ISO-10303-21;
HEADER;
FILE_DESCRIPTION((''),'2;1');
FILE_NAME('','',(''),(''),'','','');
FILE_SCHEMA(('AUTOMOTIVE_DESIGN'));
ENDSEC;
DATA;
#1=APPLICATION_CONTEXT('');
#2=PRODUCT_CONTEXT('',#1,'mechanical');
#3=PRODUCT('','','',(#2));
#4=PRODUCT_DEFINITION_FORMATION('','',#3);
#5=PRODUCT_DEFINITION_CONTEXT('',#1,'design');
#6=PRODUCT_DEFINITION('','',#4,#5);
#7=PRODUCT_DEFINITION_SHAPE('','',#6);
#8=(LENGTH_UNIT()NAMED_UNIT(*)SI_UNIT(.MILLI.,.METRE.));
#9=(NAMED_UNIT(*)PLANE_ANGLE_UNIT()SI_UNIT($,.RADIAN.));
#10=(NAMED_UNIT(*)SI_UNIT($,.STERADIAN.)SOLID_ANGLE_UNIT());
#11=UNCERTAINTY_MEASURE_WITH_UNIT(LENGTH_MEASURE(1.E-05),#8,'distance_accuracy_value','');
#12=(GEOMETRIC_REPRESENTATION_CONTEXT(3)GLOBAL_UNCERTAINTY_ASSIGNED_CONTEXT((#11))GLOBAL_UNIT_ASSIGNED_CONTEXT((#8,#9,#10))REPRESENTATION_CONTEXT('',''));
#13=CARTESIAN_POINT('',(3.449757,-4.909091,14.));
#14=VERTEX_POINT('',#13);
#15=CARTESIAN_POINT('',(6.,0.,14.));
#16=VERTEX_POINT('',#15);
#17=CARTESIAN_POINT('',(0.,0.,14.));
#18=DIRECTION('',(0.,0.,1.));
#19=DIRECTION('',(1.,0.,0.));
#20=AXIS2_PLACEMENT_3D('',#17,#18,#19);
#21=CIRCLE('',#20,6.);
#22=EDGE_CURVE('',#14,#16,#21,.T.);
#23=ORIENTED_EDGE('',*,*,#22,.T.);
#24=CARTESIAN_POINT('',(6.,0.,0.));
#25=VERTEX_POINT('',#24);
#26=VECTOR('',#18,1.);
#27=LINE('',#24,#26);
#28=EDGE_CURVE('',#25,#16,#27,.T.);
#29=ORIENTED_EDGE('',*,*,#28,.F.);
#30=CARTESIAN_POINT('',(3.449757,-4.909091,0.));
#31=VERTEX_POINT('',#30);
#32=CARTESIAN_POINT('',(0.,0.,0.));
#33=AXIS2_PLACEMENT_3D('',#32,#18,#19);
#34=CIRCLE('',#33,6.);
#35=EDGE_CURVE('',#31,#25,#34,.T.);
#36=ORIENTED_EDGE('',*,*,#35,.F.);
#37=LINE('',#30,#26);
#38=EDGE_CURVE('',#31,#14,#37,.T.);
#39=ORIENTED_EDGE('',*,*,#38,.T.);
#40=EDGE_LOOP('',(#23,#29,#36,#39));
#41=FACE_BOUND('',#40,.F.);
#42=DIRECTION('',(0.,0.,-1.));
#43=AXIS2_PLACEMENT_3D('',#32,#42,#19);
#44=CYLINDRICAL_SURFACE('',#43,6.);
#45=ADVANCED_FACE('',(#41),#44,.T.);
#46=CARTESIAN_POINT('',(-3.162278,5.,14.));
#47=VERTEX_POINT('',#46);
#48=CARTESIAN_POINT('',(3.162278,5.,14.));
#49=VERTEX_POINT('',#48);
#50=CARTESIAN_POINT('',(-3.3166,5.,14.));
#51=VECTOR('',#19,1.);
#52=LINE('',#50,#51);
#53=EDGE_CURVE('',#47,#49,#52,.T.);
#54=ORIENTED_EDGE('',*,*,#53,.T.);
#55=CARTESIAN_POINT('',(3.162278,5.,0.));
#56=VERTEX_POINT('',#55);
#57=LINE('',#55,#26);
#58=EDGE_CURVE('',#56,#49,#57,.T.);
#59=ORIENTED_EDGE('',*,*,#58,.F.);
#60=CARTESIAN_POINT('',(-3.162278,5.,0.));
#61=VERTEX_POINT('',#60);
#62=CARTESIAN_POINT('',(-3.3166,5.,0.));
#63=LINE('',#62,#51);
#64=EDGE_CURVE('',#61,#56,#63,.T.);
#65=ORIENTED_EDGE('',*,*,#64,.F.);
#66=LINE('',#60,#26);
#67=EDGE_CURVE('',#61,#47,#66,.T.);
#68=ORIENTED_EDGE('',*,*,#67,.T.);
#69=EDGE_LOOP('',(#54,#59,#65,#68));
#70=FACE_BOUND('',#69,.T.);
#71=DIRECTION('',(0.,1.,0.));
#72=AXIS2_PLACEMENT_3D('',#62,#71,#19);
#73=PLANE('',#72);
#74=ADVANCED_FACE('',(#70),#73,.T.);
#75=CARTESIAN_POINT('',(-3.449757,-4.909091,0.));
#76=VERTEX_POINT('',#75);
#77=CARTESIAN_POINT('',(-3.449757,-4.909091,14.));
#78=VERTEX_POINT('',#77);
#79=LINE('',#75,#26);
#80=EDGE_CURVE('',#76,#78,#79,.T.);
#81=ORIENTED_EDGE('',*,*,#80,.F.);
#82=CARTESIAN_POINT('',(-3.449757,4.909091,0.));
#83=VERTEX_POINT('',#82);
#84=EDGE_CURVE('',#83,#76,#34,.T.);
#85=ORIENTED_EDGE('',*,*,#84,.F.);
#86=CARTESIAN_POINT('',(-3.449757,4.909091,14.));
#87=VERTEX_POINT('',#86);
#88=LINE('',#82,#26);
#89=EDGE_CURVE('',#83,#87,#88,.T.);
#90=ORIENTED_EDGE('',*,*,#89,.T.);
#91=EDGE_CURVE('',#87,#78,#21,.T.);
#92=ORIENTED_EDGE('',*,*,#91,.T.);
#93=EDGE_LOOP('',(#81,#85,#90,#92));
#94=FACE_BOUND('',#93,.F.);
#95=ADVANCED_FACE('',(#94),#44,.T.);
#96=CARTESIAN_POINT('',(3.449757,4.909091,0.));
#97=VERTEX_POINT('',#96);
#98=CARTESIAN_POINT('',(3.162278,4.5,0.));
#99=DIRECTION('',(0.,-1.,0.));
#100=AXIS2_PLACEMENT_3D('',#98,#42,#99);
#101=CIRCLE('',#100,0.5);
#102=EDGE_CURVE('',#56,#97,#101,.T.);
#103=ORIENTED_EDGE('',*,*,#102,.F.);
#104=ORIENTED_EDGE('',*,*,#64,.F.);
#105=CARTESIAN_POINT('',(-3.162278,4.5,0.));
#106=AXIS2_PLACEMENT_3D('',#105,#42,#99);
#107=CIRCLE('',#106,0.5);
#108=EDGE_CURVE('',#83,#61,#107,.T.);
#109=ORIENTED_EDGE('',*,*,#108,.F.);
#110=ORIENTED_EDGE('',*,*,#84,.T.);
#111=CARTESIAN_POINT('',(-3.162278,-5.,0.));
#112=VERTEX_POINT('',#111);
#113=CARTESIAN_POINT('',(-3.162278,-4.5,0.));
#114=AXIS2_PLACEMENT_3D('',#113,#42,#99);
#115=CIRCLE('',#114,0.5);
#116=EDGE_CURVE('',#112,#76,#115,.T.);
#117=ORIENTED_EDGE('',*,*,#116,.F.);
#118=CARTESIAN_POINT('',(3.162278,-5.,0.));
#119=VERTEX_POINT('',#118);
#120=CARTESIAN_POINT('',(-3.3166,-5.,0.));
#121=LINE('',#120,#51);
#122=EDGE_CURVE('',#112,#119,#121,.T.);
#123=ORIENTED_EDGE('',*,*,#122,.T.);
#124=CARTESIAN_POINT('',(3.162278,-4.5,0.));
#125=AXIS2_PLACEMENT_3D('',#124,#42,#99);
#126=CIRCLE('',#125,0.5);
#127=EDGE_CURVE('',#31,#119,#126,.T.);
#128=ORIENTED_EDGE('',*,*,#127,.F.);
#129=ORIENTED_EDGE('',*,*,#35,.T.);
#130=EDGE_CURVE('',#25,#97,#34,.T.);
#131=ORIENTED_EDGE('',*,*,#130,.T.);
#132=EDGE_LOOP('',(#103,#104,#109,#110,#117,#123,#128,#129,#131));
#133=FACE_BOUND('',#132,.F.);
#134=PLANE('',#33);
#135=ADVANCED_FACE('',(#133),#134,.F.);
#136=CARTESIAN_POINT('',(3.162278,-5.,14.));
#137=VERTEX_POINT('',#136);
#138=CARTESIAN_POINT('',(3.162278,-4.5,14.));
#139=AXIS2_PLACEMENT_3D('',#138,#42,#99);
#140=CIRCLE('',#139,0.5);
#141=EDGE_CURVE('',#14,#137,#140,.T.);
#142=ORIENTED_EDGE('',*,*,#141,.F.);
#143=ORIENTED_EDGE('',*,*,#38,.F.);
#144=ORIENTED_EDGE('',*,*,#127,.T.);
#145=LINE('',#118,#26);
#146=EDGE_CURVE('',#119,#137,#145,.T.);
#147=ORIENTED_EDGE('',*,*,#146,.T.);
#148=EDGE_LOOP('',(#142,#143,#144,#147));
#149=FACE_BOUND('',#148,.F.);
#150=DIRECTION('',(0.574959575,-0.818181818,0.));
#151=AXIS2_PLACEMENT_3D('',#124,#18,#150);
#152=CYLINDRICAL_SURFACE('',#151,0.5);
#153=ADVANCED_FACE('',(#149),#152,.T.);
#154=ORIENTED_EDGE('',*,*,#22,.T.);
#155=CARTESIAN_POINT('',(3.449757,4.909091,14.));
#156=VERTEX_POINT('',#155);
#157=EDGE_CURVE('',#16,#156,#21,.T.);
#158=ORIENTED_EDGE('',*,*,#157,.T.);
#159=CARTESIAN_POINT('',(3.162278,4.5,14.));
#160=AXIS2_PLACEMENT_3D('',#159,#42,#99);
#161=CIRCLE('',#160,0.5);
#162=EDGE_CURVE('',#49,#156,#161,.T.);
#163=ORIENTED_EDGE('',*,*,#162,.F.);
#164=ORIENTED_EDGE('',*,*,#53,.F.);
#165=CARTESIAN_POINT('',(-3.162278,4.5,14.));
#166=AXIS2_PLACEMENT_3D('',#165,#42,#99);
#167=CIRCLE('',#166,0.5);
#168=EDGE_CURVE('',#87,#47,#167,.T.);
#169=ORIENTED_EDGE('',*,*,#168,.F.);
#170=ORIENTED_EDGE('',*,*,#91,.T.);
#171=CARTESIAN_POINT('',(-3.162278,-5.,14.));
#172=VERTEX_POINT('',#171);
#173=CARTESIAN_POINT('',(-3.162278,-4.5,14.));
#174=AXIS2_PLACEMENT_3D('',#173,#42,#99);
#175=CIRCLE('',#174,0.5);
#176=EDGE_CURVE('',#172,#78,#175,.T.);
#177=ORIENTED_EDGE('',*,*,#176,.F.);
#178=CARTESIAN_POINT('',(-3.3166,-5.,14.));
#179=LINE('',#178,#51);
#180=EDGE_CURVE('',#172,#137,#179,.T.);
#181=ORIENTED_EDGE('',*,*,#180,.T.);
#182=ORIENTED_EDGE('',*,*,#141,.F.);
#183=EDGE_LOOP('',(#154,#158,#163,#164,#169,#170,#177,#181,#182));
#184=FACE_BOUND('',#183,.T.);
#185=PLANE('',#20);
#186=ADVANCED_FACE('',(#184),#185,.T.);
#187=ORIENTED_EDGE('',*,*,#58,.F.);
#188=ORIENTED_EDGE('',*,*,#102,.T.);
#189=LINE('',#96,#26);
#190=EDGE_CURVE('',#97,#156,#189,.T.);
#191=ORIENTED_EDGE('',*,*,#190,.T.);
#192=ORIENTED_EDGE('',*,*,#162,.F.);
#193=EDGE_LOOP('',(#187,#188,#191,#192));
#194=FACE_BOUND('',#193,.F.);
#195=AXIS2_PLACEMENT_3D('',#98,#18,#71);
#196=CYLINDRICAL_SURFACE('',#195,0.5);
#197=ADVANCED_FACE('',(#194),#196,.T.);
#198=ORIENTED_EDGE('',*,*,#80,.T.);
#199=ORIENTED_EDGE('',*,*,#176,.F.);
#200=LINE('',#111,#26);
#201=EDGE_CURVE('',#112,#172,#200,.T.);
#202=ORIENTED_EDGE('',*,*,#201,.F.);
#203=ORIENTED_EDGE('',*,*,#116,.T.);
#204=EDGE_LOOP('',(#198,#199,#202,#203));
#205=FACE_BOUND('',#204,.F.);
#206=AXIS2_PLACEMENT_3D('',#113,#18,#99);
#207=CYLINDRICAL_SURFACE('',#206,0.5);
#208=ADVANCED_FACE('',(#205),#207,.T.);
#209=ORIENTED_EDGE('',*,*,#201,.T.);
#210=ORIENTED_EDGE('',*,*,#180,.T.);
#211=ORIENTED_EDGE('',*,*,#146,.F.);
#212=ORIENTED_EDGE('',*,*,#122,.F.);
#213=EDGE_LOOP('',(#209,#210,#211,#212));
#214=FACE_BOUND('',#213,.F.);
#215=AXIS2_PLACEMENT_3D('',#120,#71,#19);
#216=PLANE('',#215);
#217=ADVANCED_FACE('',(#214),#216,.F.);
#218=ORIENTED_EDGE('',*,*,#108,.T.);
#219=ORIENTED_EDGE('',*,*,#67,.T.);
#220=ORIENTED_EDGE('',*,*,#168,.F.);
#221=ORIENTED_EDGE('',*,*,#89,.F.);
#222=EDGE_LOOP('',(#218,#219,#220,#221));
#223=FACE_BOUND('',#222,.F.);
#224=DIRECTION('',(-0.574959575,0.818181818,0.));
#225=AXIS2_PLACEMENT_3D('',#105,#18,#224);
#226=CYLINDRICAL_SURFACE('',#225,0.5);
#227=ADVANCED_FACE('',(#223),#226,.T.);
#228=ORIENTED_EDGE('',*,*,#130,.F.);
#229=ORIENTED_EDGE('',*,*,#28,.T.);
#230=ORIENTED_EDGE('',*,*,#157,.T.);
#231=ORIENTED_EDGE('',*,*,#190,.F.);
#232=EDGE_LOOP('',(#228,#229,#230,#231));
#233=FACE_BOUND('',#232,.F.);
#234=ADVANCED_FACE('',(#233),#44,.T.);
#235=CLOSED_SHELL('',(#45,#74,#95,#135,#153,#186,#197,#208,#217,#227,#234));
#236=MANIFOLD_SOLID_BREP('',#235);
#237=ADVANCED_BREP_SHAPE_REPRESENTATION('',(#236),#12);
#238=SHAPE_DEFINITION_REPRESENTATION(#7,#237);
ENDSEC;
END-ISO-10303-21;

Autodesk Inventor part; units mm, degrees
ref_plane "YZ Plane" through (0, 0, 0) normal (1, 0, 0) x (0, 1, 0)
ref_plane "XZ Plane" through (0, 0, 0) normal (0, 1, 0) x (-1, 0, 0)
ref_plane "XY Plane" through (0, 0, 0) normal (0, 0, 1) x (1, 0, 0)
sketch "Esquisse1" plane through (0, 0, 0) normal (0, 0, 1) x (1, 0, 0)
  circle A0 centre (0, 0) radius 6
  line L0 (-3.3166, 5) -> (3.3166, 5)
  line L1 (-3.3166, -5) -> (3.3166, -5)
  dimension "d0" = 12
  dimension "d1" = 10
  dimension "d2" = 5
extrude "Extrusion1" add sketch "Esquisse1" along normal blind 14 contours A0 L1 L0
fillet "Congé1" radius 0.5 4 edges at (3.3166, 5, 7) (-3.3166, 5, 7) (3.3166, -5, 7) (-3.3166, -5, 7)
equation "\"d2\" = 0.5 * d1"
properties part number "moteur" material "Acier"
